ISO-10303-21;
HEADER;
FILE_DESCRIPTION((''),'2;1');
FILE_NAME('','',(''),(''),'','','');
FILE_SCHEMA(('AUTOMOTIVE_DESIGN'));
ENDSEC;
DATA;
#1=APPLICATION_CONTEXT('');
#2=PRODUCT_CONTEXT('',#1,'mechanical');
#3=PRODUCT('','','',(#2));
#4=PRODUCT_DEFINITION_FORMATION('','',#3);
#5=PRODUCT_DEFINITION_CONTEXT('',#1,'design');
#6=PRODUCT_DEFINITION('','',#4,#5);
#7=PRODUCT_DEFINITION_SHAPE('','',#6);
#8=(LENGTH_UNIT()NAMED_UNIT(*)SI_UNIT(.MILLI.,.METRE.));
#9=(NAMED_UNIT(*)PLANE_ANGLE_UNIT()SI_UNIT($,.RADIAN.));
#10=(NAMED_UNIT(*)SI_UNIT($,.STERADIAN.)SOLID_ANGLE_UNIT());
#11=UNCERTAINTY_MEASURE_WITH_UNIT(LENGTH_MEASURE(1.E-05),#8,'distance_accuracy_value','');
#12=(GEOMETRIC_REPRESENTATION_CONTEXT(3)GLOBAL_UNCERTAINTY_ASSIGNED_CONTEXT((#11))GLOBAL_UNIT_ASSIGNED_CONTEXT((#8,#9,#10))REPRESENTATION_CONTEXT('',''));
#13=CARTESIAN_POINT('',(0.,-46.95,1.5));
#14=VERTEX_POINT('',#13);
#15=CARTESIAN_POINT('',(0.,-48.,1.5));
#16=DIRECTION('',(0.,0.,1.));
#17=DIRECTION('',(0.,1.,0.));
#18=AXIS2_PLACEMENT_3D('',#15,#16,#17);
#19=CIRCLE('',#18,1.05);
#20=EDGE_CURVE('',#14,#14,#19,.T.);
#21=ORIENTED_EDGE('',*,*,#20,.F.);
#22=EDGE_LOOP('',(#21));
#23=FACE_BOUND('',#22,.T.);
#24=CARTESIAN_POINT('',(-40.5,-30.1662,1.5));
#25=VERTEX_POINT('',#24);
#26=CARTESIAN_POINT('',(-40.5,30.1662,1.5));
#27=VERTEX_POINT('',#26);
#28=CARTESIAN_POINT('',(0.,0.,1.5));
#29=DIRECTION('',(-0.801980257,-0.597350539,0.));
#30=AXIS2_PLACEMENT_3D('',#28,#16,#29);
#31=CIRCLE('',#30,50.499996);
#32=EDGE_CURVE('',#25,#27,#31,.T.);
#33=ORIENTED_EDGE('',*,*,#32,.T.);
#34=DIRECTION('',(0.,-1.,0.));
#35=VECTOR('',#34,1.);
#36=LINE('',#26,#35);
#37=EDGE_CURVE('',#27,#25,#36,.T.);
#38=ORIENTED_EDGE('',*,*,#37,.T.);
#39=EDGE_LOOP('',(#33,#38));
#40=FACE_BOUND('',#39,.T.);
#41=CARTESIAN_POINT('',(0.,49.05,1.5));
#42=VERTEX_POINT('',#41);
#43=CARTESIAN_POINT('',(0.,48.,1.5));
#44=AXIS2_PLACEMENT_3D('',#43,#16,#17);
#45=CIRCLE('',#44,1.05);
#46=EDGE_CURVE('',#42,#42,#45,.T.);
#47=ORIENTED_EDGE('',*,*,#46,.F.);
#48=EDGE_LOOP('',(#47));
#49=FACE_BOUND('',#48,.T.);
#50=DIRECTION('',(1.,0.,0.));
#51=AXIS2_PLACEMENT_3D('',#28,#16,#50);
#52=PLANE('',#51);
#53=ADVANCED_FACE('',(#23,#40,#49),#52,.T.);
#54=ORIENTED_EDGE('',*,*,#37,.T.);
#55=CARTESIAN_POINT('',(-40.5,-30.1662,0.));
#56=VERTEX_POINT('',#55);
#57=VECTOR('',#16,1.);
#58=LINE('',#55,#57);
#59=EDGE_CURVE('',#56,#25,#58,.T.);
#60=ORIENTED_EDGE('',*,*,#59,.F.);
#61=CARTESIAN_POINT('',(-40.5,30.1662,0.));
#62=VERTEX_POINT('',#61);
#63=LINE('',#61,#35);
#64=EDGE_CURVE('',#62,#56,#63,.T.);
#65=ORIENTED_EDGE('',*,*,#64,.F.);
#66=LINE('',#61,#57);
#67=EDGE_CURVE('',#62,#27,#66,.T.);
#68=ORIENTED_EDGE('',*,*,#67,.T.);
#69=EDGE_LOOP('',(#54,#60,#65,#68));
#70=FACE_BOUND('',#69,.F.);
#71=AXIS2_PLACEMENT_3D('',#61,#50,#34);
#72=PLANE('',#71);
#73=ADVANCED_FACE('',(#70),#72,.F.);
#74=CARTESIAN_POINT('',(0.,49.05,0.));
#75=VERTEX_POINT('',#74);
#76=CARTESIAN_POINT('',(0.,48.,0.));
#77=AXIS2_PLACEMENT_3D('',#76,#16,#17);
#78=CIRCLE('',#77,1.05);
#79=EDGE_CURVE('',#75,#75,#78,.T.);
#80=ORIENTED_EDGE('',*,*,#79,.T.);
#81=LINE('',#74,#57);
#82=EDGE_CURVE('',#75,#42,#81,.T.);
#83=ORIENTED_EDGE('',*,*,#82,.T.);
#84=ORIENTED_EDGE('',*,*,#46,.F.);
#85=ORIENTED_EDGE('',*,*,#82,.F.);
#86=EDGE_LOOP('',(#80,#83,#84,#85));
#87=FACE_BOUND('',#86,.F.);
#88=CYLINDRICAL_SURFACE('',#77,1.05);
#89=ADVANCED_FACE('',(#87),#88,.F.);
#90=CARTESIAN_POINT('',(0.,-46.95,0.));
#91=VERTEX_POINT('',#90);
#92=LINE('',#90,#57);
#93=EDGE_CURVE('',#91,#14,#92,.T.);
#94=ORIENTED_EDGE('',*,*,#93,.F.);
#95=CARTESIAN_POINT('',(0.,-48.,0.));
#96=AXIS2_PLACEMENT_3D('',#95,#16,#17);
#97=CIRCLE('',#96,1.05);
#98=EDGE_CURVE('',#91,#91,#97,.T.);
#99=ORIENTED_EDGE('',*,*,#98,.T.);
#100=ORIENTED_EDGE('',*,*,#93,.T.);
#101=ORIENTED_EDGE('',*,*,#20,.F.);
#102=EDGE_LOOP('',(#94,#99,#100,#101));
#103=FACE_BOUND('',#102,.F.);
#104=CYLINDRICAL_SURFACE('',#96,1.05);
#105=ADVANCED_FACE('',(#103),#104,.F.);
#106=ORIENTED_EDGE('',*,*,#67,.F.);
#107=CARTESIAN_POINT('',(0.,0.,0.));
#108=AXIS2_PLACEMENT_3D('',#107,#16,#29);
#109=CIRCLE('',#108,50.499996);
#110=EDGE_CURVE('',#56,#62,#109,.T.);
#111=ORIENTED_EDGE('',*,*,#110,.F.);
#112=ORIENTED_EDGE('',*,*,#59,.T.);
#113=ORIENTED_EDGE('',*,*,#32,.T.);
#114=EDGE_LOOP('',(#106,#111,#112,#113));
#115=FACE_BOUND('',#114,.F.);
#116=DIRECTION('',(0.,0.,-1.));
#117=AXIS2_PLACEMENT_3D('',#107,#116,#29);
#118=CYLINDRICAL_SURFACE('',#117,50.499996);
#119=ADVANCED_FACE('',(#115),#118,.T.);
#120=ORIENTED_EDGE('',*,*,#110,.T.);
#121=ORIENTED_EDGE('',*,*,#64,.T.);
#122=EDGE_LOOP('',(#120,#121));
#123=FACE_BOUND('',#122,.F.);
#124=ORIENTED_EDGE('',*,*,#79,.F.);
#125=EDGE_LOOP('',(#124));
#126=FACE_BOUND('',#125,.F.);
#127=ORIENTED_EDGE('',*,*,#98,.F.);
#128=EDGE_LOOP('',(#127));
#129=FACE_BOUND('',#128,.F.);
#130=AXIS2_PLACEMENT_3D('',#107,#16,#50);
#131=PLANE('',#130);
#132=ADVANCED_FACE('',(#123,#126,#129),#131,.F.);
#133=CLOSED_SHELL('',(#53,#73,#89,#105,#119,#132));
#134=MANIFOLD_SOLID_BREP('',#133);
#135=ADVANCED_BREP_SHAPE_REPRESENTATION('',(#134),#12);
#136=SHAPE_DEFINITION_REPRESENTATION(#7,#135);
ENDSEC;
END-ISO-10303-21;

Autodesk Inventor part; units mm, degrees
ref_plane "YZ Plane" through (0, 0, 0) normal (1, 0, 0) x (0, 1, 0)
ref_plane "XZ Plane" through (0, 0, 0) normal (0, 1, 0) x (-1, 0, 0)
ref_plane "XY Plane" through (0, 0, 0) normal (0, 0, 1) x (1, 0, 0)
sketch "Skizze1" plane through (0, 0, 0) normal (0, 0, 1) x (1, 0, 0)
  line L0 (-70.7, 0) -> (70.7, 0) construction
  arc A0 (-40.5, -30.1662) -> (-40.5, 30.1662) centre (0, 0) ccw
  line L1 (-40.5, 30.1662) -> (-40.5, -30.1662)
  line L2 (40.5, 30.1662) -> (-40.5, -30.1662) construction
  line L3 (-40.5, 30.1662) -> (40.5, -30.1662) construction
  point P0 (0, 48)
  point P1 (0, -48)
  point P2 (-50.5, 0)
  dimension "d3" = 96
  dimension "d15" = 50.5
  dimension "d17" = 10
  dimension "d19" = 30.1662
extrude "Extrusion1" add sketch "Skizze1" along normal blind 1.5
hole "Bohrung1" at (0, 48, 0) at (0, -48, 0) direction (0, 0, 1) diameter 2.1 end through all
properties part number "CortexPCB"
